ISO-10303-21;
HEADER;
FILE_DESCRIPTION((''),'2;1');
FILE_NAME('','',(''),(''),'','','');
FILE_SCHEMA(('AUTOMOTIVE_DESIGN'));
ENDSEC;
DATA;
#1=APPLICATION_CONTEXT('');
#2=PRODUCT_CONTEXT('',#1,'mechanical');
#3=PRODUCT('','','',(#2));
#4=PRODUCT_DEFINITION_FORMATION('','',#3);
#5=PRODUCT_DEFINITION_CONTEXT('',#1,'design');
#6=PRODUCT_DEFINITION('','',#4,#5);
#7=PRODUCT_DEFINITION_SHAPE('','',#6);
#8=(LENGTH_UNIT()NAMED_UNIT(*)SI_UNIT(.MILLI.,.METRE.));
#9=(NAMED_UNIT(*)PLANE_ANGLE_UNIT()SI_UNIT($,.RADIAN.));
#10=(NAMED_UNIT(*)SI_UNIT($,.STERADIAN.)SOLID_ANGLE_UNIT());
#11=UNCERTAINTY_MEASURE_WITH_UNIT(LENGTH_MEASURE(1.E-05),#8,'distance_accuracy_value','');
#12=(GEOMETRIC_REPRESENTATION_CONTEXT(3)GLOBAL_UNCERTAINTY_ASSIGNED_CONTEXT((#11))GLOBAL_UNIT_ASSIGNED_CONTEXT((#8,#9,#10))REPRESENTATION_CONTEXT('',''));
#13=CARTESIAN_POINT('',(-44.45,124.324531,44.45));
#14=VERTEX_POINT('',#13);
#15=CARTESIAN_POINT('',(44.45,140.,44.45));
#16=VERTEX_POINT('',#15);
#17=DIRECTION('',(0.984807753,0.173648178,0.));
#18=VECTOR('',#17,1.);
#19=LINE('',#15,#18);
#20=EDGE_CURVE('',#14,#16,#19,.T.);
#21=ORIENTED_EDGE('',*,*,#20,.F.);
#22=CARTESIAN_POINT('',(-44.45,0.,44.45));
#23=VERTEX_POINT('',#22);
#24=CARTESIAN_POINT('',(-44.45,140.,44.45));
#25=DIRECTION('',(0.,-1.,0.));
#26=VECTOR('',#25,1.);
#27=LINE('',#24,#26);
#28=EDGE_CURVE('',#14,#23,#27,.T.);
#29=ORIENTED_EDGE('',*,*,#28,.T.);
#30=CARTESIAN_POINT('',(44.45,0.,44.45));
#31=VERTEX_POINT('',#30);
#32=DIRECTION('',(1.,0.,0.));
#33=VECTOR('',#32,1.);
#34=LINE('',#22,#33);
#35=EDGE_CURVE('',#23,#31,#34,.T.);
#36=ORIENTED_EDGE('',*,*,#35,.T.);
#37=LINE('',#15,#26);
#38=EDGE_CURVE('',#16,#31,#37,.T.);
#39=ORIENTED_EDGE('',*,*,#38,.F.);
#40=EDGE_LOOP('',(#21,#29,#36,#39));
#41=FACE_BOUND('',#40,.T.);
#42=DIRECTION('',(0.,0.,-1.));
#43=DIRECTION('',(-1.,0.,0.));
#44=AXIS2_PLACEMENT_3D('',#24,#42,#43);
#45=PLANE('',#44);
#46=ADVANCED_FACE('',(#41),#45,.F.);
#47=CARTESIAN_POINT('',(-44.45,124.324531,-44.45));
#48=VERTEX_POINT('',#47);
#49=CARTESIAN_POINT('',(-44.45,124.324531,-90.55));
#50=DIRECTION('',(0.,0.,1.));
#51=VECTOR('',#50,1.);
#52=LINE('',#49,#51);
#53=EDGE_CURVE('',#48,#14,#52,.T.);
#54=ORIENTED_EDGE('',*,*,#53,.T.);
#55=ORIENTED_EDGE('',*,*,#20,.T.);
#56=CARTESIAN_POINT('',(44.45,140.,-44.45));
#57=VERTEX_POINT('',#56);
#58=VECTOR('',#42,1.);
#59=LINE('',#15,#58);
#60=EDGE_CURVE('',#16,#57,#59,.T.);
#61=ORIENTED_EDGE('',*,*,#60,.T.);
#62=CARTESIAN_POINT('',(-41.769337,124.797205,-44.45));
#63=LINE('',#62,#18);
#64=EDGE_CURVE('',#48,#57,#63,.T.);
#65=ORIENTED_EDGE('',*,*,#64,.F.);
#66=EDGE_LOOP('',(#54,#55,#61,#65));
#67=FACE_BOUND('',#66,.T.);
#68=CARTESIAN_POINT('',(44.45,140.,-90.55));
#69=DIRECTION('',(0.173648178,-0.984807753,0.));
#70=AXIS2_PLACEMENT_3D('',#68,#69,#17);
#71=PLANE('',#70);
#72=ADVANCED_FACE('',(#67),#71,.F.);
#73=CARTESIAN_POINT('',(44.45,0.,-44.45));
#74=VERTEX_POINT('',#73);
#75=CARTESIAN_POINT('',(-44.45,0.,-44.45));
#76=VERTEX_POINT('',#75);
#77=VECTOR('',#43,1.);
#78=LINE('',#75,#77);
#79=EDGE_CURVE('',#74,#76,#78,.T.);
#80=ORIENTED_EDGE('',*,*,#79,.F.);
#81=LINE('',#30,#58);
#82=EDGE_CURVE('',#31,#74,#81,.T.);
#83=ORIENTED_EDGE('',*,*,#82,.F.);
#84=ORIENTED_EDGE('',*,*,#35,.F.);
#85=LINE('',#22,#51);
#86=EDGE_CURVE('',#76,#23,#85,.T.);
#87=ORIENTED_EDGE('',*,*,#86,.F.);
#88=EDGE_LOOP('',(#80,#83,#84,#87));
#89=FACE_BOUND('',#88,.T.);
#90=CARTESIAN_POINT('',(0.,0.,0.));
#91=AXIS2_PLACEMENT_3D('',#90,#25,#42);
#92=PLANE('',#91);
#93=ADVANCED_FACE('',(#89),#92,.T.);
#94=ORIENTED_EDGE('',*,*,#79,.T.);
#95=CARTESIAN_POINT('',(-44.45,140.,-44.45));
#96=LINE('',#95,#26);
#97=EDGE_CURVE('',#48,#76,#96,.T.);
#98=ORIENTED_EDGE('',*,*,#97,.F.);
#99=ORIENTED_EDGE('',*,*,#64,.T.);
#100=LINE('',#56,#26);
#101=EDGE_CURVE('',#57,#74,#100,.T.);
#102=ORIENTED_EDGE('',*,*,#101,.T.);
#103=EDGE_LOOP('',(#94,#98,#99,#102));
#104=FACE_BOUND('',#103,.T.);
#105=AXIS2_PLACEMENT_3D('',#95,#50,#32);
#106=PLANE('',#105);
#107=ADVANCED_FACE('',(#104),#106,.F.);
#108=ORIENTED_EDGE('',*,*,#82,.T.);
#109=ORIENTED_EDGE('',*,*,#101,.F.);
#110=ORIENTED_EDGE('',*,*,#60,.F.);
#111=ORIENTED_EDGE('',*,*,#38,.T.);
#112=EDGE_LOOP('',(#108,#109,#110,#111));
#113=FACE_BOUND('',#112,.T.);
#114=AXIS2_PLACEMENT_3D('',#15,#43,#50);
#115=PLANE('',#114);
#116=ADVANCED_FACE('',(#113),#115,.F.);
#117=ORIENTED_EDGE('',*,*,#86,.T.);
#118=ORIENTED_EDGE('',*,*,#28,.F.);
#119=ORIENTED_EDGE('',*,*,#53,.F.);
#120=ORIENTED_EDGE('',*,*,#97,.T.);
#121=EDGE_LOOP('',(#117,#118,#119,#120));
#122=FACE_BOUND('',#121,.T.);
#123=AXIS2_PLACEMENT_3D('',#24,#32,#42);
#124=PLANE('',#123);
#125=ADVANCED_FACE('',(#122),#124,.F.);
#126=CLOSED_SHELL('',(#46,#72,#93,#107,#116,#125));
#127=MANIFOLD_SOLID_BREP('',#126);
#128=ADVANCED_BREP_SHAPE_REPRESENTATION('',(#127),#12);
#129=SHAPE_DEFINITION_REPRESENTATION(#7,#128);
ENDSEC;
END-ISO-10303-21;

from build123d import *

# Parameters (mm, degrees)
SKETCH1_W           = 88.9
SKETCH1_H           = 88.9
BOSS_EXTRUDE1_DEPTH = 140
CUT_EXTRUDE1_DEPTH  = 135


with BuildPart() as part:
    # Sketch1 → Boss-Extrude1 (new body)
    with BuildSketch(Plane(origin=(0, 0, 0), x_dir=(1, 0, 0), z_dir=(0, 1, 0))):
        Rectangle(SKETCH1_W, SKETCH1_H)
    extrude(amount=BOSS_EXTRUDE1_DEPTH)

    # Sketch2 → Cut-Extrude1 (cut)
    with BuildSketch(Plane.XY.offset(44.45)):
        Polygon((44.45, 140), (-44.45, 124.324531415), (-44.45, 140), align=None)
    extrude(amount=-CUT_EXTRUDE1_DEPTH, mode=Mode.SUBTRACT)


solid = part.part
